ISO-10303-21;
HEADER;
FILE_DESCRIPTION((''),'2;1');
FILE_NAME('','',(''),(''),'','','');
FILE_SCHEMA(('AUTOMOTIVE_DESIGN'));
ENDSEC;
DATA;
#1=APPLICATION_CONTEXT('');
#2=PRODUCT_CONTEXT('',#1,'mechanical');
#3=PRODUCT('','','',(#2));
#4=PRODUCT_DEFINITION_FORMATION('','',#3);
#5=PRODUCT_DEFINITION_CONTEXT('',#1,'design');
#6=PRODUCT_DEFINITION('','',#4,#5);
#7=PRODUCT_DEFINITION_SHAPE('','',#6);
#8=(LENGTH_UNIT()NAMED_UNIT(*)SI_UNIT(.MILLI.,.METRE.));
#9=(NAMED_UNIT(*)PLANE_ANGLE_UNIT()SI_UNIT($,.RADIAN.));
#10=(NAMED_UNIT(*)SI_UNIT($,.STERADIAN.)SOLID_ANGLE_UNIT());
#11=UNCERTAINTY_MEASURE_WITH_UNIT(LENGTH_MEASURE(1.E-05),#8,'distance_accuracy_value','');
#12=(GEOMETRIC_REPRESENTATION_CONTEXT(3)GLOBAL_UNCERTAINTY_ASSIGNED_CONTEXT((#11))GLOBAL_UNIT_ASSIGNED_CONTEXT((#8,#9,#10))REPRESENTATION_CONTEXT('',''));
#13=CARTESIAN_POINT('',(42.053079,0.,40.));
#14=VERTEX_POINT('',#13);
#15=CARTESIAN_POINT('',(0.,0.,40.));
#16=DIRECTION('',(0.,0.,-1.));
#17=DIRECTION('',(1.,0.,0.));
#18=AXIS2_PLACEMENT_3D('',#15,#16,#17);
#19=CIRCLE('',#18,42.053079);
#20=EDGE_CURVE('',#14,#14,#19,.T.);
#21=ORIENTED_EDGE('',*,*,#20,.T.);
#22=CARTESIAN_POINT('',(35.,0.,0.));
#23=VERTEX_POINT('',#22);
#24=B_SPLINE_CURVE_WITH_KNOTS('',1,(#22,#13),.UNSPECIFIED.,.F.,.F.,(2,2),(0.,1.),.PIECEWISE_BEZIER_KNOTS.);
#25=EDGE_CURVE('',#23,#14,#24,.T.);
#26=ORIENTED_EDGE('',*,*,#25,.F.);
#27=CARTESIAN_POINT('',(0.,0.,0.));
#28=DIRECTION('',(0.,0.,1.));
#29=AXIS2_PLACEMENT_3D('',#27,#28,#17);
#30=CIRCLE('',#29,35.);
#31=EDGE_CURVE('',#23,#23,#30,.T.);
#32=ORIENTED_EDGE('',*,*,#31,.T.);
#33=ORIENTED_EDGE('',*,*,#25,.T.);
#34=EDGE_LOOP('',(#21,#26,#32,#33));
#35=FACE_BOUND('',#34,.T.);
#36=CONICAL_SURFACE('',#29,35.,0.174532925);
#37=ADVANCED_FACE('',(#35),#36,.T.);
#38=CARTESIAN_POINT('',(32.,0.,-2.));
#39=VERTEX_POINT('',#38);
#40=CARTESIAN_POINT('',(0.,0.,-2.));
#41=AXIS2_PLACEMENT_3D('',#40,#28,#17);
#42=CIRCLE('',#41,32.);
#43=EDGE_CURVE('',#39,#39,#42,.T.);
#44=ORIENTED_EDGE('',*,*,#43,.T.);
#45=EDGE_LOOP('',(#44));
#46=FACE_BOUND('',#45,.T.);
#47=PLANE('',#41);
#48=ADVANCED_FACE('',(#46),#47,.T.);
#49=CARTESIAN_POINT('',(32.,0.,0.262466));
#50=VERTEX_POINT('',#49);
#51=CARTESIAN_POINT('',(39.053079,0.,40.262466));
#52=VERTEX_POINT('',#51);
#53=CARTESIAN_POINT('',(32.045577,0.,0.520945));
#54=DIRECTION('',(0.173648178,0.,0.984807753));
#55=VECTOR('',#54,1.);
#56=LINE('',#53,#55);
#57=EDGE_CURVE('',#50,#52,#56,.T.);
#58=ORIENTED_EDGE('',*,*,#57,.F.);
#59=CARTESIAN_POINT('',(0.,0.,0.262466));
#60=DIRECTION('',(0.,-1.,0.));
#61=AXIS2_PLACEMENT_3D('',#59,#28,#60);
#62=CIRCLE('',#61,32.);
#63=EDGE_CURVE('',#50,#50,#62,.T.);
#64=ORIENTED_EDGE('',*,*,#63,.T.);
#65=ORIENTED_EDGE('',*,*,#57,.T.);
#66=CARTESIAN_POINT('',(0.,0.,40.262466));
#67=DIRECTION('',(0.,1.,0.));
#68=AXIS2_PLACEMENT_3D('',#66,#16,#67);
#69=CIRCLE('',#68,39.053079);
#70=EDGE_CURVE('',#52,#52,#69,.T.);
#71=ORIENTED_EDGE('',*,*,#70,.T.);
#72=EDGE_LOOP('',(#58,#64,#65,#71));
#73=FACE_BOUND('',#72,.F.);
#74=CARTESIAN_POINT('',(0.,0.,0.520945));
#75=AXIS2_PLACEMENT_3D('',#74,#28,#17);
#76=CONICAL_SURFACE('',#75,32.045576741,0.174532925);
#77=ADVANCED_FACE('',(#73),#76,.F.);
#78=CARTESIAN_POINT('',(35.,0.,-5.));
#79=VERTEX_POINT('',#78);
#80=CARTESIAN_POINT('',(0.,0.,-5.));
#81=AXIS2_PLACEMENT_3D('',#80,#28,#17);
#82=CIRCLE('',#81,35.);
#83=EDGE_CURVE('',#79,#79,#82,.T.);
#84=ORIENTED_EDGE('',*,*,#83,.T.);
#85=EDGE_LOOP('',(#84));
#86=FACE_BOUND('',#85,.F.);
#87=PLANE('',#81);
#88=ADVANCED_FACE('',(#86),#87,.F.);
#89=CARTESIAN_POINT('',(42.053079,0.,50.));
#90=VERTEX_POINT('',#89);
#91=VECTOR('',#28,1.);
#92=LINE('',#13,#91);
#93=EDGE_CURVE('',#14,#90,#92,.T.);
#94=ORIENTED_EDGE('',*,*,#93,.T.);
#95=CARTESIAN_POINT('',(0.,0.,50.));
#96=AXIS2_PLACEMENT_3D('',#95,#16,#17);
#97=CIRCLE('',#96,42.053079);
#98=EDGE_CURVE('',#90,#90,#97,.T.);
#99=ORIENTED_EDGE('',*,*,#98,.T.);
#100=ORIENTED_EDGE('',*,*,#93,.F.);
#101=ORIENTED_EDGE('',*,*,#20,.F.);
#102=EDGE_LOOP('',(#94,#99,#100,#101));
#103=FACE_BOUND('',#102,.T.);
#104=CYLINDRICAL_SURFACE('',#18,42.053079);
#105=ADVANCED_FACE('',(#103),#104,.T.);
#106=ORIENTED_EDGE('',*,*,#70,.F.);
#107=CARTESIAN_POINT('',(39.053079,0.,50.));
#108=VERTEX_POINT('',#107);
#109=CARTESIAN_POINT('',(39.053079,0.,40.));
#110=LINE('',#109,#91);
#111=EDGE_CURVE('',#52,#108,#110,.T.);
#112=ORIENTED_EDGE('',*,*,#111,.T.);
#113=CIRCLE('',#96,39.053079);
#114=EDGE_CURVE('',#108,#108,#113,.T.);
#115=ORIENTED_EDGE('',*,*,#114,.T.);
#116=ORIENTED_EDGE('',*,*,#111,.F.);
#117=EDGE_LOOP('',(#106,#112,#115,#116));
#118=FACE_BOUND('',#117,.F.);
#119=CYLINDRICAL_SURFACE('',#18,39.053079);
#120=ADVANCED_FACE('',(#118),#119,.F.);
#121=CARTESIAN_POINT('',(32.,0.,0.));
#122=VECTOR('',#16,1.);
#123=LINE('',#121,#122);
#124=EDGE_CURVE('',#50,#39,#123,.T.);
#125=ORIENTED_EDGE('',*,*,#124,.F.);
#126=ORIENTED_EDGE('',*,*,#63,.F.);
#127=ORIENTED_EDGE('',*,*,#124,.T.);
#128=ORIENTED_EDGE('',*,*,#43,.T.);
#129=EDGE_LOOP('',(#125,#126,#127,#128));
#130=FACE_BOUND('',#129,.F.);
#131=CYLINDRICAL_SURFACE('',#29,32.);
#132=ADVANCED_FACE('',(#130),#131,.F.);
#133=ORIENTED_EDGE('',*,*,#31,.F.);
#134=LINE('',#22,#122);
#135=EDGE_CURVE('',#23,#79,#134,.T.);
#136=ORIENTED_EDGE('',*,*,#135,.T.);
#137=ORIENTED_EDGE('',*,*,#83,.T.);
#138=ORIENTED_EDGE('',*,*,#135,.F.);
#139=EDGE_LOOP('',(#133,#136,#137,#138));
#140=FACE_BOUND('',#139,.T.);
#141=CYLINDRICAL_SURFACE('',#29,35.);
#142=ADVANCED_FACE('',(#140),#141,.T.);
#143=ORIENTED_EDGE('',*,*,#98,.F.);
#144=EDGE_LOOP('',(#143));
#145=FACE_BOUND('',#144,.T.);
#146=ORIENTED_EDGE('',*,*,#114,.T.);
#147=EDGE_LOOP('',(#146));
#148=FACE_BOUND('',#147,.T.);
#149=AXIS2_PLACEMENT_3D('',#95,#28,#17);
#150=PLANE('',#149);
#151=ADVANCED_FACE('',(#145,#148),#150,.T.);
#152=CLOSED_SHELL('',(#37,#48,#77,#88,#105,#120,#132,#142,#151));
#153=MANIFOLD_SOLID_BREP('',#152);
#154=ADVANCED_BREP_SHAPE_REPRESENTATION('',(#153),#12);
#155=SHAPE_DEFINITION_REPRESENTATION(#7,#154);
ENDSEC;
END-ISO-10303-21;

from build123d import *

# Parameters (mm, degrees)
F0_R      = 35
F1_DEPTH  = 5
F1_FACE_R = 35
F2_DEPTH  = 40
F2_TAPER  = -10
F3_DEPTH  = 10
F4_T      = -3


with BuildPart() as f1:
    # F0 (on Top) → F1 (new body)
    with BuildSketch(Plane.XY):
        Circle(F0_R)
    extrude(amount=-F1_DEPTH)

    # F1_face (on face) → F2 (join)
    with BuildSketch(Plane.XY):
        Circle(F1_FACE_R)
    extrude(amount=F2_DEPTH, taper=F2_TAPER)

    # F3 (add): a face of the model
    f3_faces = [f1.faces().sort_by_distance(p)[0] for p in [
        (0, 0, 40),
    ]]
    extrude(f3_faces, amount=F3_DEPTH)

    # F4
    f4_openings = [f1.faces().sort_by_distance(p)[0] for p in [
        (0, 0, 50),
    ]]
    offset(amount=F4_T, openings=f4_openings, kind=Kind.INTERSECTION)


solid = f1.part
